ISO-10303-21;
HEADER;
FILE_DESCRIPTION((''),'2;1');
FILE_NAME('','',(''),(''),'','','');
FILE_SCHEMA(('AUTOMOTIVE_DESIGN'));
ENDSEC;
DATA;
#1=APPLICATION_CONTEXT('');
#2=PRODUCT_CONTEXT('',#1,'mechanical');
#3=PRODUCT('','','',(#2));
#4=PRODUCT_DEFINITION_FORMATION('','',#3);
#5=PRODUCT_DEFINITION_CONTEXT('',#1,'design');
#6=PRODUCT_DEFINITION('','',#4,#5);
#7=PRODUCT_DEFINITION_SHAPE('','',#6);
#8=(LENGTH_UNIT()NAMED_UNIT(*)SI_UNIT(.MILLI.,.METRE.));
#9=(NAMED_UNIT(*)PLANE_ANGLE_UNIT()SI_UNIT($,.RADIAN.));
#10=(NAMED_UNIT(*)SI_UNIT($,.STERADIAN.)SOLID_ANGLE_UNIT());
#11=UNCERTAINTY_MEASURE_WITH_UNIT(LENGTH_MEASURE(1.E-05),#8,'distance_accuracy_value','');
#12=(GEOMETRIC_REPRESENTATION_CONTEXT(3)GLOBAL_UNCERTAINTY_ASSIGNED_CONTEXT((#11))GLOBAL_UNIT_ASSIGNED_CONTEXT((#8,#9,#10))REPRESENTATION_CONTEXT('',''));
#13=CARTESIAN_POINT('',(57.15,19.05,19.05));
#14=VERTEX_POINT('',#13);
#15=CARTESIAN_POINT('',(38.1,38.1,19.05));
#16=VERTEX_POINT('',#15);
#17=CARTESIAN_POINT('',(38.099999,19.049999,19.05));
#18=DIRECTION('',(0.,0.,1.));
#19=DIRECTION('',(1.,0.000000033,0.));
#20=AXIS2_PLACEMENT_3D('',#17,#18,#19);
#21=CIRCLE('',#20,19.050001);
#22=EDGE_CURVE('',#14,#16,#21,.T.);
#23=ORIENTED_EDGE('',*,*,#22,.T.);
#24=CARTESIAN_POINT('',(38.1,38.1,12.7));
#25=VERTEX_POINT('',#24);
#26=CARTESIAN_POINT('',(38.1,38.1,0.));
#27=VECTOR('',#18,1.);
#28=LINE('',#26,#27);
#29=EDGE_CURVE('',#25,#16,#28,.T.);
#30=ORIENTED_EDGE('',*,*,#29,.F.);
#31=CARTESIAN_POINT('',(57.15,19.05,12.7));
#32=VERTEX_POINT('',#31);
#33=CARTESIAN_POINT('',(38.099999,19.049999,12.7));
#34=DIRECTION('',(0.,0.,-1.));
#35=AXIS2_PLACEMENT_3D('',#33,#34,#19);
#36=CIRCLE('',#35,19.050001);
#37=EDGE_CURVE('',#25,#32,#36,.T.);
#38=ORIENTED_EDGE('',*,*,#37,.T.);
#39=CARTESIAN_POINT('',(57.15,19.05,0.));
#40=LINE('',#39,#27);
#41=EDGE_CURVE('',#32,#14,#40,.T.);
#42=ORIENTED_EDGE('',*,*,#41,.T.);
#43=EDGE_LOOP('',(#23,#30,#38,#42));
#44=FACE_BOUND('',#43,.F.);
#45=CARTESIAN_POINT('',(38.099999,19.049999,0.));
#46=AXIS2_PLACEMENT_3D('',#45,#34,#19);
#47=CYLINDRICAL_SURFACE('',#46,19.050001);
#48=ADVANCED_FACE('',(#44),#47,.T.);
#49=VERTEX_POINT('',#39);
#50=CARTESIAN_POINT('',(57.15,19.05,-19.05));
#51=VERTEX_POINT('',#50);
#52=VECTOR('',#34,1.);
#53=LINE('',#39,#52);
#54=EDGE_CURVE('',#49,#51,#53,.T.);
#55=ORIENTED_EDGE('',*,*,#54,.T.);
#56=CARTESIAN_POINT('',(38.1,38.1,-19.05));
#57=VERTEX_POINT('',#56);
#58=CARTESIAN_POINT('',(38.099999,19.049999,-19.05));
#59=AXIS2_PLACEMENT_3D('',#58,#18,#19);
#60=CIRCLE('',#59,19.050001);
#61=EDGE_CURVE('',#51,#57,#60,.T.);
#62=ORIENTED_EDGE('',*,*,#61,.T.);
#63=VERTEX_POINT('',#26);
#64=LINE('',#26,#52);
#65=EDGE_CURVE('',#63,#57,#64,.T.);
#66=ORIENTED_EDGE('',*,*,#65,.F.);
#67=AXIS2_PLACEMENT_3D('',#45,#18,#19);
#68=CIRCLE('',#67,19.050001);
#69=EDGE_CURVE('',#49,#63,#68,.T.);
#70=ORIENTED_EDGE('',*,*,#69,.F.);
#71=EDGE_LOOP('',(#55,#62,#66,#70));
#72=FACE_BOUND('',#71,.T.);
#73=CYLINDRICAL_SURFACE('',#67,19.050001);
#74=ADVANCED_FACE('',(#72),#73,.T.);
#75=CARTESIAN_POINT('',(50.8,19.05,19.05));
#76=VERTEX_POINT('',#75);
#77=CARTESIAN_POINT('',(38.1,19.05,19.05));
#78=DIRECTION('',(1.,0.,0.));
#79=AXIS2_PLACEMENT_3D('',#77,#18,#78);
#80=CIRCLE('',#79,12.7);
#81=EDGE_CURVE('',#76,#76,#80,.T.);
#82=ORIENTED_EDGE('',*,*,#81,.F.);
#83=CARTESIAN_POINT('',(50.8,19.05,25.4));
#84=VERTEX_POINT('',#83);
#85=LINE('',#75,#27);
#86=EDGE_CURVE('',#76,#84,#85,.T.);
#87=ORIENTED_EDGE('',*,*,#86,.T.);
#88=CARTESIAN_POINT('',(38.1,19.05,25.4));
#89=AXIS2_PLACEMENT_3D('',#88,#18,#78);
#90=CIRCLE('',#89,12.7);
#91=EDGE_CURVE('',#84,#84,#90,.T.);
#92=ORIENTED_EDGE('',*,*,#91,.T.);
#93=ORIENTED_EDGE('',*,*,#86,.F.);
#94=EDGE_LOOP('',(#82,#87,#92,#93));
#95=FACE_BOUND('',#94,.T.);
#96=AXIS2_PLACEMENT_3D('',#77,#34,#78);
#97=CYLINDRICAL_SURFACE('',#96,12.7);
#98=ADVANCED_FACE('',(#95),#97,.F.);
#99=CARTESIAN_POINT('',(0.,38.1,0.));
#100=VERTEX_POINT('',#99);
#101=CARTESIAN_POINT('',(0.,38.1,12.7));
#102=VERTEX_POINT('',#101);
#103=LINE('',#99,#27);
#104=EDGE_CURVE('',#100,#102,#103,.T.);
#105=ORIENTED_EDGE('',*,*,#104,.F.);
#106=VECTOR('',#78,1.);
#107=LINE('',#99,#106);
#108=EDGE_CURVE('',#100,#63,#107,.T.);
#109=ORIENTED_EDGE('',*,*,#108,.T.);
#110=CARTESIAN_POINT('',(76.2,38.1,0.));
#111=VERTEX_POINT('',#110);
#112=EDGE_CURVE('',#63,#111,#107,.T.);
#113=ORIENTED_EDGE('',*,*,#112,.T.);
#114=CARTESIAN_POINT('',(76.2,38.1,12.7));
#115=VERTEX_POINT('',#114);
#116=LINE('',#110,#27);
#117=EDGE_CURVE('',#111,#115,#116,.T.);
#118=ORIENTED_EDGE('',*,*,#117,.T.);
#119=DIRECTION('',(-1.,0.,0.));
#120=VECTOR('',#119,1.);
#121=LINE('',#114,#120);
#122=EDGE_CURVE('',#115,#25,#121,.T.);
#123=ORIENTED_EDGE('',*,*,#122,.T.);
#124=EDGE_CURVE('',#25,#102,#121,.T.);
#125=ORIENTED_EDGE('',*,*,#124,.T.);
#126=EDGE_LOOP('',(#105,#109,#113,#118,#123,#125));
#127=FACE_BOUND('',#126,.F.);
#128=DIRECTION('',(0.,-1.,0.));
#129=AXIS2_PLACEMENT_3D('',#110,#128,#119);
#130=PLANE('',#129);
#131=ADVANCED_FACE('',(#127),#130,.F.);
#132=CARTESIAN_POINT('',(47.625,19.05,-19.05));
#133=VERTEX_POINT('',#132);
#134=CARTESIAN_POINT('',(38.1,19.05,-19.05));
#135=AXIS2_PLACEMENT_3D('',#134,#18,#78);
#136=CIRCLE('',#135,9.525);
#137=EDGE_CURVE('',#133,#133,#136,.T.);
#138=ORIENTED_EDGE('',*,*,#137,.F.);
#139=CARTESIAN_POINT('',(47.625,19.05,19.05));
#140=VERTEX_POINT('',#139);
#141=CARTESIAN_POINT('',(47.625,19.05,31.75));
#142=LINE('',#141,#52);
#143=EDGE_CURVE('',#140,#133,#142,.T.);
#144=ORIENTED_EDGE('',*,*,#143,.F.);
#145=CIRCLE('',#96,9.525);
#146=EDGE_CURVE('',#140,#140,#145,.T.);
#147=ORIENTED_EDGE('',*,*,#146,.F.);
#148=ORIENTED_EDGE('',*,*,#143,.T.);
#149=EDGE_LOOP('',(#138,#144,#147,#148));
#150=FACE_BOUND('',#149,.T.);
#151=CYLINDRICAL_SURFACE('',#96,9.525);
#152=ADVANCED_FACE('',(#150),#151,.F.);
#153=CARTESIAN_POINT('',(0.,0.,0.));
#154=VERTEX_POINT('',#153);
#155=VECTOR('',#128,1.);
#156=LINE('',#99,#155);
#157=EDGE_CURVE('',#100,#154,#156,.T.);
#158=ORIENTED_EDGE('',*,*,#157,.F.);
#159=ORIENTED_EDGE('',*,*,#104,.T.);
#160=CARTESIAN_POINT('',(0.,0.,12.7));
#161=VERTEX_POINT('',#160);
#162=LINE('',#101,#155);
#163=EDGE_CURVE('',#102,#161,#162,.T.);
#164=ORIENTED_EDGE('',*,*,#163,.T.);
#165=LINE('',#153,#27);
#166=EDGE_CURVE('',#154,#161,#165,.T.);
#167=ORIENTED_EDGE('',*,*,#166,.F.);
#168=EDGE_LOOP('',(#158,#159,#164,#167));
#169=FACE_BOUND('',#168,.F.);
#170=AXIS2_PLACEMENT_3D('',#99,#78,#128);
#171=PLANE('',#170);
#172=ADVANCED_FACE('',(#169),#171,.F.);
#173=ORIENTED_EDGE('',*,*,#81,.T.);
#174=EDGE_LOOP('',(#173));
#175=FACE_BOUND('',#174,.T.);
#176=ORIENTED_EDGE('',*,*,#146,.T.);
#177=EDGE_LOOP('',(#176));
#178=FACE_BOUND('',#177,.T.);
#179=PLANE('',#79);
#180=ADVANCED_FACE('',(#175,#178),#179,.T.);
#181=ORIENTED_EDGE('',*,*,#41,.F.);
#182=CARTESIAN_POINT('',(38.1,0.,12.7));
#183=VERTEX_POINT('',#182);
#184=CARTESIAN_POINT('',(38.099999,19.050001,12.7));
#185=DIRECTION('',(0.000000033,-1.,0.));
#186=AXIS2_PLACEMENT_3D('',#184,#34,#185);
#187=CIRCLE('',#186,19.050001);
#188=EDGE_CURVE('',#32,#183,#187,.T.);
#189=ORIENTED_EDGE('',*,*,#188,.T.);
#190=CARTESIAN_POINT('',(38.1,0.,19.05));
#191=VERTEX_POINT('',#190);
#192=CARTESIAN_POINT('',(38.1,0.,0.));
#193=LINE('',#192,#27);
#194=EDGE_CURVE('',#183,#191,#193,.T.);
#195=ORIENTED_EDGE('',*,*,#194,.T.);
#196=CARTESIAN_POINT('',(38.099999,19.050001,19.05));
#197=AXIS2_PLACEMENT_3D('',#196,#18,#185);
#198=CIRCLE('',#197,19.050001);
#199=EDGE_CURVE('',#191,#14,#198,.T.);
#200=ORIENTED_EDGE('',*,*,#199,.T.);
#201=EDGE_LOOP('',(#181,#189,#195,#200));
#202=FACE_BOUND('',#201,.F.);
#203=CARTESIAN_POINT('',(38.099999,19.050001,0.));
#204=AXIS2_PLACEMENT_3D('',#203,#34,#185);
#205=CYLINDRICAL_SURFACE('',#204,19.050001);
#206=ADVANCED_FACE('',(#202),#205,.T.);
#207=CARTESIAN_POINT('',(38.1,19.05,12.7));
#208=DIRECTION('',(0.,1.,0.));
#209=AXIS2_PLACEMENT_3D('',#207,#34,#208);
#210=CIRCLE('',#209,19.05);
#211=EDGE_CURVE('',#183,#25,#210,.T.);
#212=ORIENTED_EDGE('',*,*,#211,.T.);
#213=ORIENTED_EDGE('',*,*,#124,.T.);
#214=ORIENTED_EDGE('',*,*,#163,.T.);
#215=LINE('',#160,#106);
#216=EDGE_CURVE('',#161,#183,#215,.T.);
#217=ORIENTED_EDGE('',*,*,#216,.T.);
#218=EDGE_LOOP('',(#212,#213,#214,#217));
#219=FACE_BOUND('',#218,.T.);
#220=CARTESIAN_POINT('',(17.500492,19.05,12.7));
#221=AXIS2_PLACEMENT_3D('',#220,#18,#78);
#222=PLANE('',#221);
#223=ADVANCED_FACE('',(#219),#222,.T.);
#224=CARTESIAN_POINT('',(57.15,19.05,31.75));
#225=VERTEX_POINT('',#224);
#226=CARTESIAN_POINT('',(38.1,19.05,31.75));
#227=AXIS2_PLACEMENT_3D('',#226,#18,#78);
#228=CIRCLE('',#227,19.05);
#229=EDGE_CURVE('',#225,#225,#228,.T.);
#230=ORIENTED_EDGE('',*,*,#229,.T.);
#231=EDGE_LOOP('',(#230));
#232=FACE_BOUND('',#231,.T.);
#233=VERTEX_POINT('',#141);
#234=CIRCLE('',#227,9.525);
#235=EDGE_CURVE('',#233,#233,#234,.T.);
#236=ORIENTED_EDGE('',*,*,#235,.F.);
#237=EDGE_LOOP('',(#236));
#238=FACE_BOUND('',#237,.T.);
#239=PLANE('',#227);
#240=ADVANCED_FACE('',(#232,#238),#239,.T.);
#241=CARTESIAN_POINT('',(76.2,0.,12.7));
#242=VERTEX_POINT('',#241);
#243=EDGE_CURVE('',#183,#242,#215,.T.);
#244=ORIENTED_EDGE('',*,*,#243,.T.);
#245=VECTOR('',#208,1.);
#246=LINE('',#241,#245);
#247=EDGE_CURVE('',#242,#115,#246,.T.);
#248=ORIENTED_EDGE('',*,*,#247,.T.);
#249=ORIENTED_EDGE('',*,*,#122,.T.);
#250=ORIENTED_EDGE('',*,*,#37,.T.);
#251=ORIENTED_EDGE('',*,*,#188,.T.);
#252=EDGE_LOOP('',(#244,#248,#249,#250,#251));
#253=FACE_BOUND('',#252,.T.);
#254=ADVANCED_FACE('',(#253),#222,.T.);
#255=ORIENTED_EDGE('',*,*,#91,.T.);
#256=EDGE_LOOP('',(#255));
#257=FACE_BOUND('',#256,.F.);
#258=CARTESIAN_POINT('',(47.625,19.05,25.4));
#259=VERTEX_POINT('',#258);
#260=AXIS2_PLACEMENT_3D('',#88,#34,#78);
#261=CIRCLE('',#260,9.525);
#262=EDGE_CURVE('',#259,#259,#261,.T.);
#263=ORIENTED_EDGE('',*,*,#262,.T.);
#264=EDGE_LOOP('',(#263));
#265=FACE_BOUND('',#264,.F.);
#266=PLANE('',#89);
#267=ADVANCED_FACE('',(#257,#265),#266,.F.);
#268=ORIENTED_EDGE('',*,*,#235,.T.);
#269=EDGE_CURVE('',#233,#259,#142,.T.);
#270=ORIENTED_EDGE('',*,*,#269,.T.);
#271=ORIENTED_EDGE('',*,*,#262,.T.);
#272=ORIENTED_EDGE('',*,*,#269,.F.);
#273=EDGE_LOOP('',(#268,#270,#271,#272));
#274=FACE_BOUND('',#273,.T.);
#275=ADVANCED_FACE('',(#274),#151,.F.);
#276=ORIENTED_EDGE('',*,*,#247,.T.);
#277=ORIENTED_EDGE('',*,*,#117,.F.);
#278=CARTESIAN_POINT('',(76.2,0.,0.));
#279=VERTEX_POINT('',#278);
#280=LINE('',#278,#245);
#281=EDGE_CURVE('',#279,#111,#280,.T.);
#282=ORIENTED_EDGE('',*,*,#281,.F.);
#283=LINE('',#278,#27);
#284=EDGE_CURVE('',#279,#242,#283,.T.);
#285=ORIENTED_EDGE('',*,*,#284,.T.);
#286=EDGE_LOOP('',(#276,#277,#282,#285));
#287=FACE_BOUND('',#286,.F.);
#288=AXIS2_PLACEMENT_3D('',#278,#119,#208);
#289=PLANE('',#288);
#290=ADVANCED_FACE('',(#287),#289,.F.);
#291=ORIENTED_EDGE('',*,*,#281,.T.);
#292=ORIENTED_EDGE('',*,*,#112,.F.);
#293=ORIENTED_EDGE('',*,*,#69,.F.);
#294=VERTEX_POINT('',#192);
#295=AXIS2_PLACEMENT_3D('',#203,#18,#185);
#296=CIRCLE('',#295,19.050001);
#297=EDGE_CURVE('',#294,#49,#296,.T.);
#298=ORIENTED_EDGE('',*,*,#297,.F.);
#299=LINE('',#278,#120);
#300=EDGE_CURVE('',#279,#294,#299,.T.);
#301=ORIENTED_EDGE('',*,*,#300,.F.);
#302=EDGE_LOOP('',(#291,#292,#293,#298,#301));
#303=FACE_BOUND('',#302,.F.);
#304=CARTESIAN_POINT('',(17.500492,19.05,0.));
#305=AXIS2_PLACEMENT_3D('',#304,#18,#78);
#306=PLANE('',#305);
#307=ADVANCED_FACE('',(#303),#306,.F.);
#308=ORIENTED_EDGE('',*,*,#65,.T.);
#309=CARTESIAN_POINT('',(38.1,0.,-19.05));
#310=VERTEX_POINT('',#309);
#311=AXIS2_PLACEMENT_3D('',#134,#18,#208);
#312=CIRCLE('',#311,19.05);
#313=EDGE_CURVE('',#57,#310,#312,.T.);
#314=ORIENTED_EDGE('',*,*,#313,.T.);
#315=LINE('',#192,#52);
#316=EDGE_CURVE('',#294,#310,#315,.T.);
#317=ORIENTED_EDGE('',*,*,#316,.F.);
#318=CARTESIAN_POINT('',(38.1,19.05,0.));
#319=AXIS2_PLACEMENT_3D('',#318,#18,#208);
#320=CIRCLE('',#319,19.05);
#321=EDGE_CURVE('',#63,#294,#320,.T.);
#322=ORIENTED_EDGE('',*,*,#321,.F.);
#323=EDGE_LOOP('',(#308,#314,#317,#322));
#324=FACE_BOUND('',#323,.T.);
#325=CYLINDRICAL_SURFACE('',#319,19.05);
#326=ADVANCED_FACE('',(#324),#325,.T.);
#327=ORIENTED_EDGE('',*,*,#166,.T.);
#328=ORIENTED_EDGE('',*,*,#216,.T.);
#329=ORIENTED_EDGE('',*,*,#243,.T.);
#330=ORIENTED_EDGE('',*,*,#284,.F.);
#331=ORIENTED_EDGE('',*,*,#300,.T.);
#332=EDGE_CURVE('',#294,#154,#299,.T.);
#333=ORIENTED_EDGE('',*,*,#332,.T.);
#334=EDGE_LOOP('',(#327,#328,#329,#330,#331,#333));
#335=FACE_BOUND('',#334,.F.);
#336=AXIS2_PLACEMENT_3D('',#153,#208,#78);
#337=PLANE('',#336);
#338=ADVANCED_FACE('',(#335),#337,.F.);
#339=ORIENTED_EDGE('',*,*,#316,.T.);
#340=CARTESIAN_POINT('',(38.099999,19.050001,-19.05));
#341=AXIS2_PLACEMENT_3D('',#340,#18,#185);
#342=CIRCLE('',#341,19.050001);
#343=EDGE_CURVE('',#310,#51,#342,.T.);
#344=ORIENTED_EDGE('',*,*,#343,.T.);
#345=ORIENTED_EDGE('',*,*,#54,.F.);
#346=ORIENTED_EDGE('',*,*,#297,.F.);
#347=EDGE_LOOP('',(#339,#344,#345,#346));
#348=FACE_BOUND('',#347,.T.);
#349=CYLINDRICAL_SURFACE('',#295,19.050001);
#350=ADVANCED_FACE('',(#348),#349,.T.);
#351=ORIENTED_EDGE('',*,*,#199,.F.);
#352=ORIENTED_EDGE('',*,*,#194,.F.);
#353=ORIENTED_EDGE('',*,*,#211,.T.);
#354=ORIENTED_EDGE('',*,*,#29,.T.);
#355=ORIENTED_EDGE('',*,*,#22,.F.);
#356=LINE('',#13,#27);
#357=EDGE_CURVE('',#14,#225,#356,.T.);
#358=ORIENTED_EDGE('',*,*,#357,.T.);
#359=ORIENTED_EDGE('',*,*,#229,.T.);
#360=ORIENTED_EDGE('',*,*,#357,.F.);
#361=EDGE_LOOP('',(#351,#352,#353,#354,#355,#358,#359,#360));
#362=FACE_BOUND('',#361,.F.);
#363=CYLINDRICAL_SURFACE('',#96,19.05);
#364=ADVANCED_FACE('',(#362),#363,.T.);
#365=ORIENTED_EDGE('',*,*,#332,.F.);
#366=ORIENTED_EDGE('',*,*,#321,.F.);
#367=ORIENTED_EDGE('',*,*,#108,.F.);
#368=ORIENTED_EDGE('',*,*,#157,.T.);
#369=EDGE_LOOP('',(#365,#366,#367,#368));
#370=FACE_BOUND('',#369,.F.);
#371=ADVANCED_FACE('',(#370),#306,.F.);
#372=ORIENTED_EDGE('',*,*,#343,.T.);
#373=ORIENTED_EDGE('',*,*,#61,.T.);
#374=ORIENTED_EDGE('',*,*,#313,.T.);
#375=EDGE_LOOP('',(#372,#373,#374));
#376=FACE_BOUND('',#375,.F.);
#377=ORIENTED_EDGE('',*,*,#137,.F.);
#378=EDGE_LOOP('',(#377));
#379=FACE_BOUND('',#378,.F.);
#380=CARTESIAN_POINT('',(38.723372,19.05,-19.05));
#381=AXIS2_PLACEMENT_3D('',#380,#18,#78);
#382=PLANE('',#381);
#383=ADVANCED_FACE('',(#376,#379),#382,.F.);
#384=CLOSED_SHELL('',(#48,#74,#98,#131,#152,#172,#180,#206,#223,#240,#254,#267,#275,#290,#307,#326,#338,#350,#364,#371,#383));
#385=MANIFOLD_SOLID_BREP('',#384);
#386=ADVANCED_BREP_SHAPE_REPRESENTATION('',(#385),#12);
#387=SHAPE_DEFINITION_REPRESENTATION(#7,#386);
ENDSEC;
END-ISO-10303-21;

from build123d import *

# Parameters (mm, degrees)
F0_R        = 9.525
F1_DEPTH    = 12.7
F2_DEPTH    = 19.05
F3_DEPTH    = 19.05
F2_FACE_R   = 19.05
F2_FACE_R_2 = 9.525
F5_DEPTH    = 12.7
F4_R        = 12.7
F6_DEPTH    = 6.35


with BuildPart() as f1:
    # F0 (on Top) → F1 (new body)
    with BuildSketch(Plane.XY):
        with BuildLine():
            Line((0, 38.1), (0, 0))
            Line((0, 0), (38.1, 0))
            ThreePointArc((38.1, 0), (19.05, 19.05), (38.1, 38.1))
            Line((38.1, 38.1), (0, 38.1))
        make_face()
        with BuildLine():
            ThreePointArc((57.15, 19.05), (51.570384, 5.579616), (38.1, 0))
            Line((38.1, 0), (76.2, 0))
            Line((76.2, 0), (76.2, 38.1))
            Line((76.2, 38.1), (38.1, 38.1))
            ThreePointArc((38.1, 38.1), (51.570384, 32.520384), (57.15, 19.05))
        make_face()
        with BuildLine():
            ThreePointArc((38.1, 38.1), (19.05, 19.05), (38.1, 0))
            ThreePointArc((38.1, 0), (51.570384, 5.579616), (57.15, 19.05))
            ThreePointArc((57.15, 19.05), (51.570384, 32.520384), (38.1, 38.1))
        make_face()
        with Locations((38.1, 19.05)):
            Circle(F0_R, mode=Mode.SUBTRACT)
    extrude(amount=F1_DEPTH)

    # F0 (on Top) → F2 (join)
    with BuildSketch(Plane.XY):
        with BuildLine():
            ThreePointArc((38.1, 38.1), (19.05, 19.05), (38.1, 0))
            ThreePointArc((38.1, 0), (51.570384, 5.579616), (57.15, 19.05))
            ThreePointArc((57.15, 19.05), (51.570384, 32.520384), (38.1, 38.1))
        make_face()
        with Locations((38.1, 19.05)):
            Circle(F0_R, mode=Mode.SUBTRACT)
    extrude(amount=F2_DEPTH)

    # F0 (on Top) → F3 (join)
    with BuildSketch(Plane.XY):
        with BuildLine():
            ThreePointArc((38.1, 38.1), (19.05, 19.05), (38.1, 0))
            ThreePointArc((38.1, 0), (51.570384, 5.579616), (57.15, 19.05))
            ThreePointArc((57.15, 19.05), (51.570384, 32.520384), (38.1, 38.1))
        make_face()
        with Locations((38.1, 19.05)):
            Circle(F0_R, mode=Mode.SUBTRACT)
    extrude(amount=-F3_DEPTH)

    # F2_face (on face) → F5 (join)
    with BuildSketch(Plane(origin=(38.1, 19.05, 19.05), x_dir=(1, 0, 0), z_dir=(0, 0, 1))):
        Circle(F2_FACE_R)
        Circle(F2_FACE_R_2, mode=Mode.SUBTRACT)
    extrude(amount=F5_DEPTH)

    # F4 (on face) → F6 (cut)
    with BuildSketch(Plane.XY.offset(19.05)):
        with Locations((38.1, 19.05)):
            Circle(F4_R)
    extrude(amount=F6_DEPTH, mode=Mode.SUBTRACT)


solid = f1.part
